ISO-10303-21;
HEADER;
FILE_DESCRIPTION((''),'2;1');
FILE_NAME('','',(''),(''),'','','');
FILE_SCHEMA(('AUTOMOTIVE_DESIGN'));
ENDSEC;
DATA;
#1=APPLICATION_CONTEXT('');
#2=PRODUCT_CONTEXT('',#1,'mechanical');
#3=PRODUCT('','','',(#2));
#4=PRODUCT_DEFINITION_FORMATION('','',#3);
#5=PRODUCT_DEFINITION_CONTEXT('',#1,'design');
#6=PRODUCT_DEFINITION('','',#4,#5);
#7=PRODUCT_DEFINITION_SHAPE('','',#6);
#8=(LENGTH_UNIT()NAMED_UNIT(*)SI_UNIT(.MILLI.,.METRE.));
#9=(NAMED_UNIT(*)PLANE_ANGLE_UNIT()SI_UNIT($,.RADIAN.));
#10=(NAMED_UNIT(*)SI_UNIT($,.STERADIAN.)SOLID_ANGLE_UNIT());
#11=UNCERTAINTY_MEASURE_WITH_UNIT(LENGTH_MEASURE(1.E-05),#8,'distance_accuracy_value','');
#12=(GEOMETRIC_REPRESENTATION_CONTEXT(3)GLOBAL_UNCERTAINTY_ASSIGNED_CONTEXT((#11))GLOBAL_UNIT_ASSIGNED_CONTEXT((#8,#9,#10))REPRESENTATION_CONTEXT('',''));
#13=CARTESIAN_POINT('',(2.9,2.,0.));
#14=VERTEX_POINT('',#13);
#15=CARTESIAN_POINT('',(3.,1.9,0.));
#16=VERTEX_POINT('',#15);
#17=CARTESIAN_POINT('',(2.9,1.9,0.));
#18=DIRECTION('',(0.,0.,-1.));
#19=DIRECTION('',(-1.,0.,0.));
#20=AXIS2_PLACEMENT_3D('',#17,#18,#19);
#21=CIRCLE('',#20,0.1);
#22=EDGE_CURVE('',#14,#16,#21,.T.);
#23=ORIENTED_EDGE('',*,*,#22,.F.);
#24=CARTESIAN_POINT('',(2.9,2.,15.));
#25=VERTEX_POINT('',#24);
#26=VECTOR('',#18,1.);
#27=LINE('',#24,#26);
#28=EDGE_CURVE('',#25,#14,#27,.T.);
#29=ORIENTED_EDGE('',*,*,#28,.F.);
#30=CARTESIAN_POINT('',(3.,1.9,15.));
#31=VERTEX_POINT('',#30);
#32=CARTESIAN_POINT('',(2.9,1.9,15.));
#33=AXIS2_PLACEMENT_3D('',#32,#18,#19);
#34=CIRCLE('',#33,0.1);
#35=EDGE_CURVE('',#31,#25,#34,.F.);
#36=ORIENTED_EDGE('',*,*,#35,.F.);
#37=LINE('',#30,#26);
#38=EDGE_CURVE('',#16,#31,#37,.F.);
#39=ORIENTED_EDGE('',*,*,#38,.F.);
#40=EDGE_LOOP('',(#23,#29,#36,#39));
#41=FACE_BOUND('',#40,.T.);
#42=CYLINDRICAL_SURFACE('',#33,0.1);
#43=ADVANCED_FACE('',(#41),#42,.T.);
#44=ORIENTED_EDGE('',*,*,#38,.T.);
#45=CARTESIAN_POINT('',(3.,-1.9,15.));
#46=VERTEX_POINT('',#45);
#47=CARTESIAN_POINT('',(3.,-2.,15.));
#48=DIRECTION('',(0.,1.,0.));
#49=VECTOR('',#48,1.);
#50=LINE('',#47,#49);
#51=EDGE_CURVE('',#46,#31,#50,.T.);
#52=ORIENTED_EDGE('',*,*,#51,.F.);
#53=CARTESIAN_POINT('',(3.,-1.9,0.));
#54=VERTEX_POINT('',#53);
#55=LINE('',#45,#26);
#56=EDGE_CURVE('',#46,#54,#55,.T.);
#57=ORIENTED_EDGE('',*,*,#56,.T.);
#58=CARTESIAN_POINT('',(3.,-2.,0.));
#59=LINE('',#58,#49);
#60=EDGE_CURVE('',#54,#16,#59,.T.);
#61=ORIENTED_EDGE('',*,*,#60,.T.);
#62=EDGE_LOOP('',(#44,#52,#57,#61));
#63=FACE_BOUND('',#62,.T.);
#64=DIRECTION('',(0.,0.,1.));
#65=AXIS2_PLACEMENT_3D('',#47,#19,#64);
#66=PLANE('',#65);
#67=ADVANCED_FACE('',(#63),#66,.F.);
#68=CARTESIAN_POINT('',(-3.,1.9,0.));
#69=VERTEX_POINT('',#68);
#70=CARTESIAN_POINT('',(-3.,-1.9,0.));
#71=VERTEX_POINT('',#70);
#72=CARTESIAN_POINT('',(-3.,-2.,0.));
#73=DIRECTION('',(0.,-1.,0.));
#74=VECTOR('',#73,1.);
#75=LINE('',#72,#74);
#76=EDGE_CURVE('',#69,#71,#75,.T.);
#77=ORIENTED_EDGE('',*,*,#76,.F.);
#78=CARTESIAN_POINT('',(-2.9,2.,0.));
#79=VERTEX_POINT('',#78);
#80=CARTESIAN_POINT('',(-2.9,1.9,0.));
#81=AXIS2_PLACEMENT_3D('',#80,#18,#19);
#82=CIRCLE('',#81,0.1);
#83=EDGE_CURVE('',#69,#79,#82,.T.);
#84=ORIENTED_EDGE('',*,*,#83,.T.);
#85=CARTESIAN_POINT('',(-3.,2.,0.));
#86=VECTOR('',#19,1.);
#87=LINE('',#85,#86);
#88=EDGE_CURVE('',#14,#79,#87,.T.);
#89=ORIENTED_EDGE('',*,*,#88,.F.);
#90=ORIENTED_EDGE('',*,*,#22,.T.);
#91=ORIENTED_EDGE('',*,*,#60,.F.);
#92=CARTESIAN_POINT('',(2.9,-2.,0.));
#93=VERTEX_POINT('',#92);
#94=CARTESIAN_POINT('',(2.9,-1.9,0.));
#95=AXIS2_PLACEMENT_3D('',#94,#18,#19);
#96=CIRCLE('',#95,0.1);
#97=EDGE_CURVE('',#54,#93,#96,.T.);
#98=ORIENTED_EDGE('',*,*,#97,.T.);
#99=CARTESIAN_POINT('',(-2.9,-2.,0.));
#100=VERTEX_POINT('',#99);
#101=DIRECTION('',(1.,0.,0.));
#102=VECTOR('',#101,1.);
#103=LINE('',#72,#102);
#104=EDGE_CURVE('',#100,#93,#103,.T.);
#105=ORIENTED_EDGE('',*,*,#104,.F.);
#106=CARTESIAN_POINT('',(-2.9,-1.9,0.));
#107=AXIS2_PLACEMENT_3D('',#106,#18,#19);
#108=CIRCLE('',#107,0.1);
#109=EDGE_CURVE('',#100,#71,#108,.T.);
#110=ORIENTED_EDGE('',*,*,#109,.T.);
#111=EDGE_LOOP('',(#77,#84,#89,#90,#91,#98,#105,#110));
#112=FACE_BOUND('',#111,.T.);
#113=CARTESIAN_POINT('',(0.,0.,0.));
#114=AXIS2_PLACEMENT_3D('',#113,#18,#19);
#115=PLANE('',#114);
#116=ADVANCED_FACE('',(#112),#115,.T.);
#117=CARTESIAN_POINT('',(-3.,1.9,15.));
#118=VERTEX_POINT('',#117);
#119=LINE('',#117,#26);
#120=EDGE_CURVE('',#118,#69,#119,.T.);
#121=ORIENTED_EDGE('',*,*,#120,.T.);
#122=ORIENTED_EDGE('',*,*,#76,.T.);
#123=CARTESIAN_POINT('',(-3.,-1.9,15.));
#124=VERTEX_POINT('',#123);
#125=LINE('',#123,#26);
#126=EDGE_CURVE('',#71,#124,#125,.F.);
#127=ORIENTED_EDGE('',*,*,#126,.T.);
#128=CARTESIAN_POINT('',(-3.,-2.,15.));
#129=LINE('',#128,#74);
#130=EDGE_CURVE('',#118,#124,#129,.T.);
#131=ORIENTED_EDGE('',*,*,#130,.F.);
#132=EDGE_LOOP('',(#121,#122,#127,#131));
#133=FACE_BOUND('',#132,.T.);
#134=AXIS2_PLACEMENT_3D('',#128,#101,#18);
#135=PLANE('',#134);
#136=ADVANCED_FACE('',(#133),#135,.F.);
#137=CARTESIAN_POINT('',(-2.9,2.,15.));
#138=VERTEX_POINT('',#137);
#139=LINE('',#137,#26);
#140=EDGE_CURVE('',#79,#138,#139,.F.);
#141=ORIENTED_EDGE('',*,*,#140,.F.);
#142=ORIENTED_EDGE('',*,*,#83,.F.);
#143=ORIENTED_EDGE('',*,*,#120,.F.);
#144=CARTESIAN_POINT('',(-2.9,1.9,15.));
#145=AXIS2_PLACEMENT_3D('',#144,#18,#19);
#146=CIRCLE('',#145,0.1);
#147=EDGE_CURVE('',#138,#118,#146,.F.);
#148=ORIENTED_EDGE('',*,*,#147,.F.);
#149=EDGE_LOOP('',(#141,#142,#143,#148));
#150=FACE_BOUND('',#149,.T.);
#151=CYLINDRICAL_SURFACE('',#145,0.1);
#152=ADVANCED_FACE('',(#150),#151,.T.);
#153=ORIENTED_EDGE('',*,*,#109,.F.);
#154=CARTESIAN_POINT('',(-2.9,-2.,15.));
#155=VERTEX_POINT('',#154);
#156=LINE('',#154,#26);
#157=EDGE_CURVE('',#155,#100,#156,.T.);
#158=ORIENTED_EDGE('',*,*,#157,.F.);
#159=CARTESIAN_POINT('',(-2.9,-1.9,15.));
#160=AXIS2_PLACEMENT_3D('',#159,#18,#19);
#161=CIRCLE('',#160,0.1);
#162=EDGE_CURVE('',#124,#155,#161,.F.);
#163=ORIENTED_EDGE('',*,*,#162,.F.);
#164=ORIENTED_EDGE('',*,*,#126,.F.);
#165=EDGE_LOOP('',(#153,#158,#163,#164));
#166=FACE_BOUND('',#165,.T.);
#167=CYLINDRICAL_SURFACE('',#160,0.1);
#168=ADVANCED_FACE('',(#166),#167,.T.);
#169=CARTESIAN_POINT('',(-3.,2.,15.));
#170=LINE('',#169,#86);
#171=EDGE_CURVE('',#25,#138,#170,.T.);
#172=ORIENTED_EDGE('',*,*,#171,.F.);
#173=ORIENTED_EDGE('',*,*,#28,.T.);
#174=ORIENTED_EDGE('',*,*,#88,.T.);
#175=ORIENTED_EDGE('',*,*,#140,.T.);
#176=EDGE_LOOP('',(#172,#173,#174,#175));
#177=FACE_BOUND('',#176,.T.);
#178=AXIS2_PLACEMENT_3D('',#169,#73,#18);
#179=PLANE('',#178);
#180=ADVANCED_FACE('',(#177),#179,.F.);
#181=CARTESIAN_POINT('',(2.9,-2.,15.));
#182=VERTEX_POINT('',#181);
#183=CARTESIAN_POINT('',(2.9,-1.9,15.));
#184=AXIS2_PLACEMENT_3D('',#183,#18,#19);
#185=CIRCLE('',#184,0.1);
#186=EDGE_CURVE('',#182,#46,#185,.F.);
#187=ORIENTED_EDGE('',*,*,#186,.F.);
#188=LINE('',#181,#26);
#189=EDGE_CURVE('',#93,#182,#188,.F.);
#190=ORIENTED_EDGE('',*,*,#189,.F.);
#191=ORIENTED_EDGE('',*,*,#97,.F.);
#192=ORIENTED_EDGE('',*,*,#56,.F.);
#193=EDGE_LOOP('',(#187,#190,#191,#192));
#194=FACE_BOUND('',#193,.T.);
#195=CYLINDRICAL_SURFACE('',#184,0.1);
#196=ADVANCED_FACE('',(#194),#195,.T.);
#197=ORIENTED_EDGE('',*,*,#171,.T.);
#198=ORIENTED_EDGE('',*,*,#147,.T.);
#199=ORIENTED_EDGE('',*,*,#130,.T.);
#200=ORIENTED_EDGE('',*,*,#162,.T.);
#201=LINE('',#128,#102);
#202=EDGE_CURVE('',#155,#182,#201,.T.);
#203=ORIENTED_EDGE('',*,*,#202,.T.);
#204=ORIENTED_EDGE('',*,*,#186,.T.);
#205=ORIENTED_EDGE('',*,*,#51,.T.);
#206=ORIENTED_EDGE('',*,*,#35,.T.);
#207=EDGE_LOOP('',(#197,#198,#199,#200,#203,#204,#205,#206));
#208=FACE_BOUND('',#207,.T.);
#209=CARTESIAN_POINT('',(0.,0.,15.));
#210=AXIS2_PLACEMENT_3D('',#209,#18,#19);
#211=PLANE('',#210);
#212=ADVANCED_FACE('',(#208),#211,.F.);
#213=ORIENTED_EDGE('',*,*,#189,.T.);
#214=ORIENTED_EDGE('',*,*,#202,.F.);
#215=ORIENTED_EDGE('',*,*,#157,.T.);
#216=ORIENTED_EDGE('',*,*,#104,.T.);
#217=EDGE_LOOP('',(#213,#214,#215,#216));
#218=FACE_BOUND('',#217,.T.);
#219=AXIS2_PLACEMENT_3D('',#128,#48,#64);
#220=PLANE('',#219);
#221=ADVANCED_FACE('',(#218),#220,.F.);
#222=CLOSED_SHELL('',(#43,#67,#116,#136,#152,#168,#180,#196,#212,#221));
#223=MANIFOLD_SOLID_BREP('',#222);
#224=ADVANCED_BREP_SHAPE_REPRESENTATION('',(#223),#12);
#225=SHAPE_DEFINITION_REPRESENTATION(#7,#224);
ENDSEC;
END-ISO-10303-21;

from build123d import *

# Parameters (mm, degrees)
SKETCH_1_W      = 6
SKETCH_1_H      = 4
EXTRUDE_1_DEPTH = 15
FILLET_1_R      = 0.1


with BuildPart() as part:
    # ｽｹｯﾁ1 → ﾎﾞｽ - 押し出し1 (new body)
    with BuildSketch(Plane.XY):
        Rectangle(SKETCH_1_W, SKETCH_1_H)
    extrude(amount=EXTRUDE_1_DEPTH)

    # ﾌｨﾚｯﾄ1
    fillet_1_edges = [part.edges().sort_by_distance(p)[0] for p in [
        (3, -2, 7.5),
        (-3, -2, 7.5),
        (-3, 2, 7.5),
        (3, 2, 7.5),
    ]]
    fillet(fillet_1_edges, radius=FILLET_1_R)


solid = part.part
